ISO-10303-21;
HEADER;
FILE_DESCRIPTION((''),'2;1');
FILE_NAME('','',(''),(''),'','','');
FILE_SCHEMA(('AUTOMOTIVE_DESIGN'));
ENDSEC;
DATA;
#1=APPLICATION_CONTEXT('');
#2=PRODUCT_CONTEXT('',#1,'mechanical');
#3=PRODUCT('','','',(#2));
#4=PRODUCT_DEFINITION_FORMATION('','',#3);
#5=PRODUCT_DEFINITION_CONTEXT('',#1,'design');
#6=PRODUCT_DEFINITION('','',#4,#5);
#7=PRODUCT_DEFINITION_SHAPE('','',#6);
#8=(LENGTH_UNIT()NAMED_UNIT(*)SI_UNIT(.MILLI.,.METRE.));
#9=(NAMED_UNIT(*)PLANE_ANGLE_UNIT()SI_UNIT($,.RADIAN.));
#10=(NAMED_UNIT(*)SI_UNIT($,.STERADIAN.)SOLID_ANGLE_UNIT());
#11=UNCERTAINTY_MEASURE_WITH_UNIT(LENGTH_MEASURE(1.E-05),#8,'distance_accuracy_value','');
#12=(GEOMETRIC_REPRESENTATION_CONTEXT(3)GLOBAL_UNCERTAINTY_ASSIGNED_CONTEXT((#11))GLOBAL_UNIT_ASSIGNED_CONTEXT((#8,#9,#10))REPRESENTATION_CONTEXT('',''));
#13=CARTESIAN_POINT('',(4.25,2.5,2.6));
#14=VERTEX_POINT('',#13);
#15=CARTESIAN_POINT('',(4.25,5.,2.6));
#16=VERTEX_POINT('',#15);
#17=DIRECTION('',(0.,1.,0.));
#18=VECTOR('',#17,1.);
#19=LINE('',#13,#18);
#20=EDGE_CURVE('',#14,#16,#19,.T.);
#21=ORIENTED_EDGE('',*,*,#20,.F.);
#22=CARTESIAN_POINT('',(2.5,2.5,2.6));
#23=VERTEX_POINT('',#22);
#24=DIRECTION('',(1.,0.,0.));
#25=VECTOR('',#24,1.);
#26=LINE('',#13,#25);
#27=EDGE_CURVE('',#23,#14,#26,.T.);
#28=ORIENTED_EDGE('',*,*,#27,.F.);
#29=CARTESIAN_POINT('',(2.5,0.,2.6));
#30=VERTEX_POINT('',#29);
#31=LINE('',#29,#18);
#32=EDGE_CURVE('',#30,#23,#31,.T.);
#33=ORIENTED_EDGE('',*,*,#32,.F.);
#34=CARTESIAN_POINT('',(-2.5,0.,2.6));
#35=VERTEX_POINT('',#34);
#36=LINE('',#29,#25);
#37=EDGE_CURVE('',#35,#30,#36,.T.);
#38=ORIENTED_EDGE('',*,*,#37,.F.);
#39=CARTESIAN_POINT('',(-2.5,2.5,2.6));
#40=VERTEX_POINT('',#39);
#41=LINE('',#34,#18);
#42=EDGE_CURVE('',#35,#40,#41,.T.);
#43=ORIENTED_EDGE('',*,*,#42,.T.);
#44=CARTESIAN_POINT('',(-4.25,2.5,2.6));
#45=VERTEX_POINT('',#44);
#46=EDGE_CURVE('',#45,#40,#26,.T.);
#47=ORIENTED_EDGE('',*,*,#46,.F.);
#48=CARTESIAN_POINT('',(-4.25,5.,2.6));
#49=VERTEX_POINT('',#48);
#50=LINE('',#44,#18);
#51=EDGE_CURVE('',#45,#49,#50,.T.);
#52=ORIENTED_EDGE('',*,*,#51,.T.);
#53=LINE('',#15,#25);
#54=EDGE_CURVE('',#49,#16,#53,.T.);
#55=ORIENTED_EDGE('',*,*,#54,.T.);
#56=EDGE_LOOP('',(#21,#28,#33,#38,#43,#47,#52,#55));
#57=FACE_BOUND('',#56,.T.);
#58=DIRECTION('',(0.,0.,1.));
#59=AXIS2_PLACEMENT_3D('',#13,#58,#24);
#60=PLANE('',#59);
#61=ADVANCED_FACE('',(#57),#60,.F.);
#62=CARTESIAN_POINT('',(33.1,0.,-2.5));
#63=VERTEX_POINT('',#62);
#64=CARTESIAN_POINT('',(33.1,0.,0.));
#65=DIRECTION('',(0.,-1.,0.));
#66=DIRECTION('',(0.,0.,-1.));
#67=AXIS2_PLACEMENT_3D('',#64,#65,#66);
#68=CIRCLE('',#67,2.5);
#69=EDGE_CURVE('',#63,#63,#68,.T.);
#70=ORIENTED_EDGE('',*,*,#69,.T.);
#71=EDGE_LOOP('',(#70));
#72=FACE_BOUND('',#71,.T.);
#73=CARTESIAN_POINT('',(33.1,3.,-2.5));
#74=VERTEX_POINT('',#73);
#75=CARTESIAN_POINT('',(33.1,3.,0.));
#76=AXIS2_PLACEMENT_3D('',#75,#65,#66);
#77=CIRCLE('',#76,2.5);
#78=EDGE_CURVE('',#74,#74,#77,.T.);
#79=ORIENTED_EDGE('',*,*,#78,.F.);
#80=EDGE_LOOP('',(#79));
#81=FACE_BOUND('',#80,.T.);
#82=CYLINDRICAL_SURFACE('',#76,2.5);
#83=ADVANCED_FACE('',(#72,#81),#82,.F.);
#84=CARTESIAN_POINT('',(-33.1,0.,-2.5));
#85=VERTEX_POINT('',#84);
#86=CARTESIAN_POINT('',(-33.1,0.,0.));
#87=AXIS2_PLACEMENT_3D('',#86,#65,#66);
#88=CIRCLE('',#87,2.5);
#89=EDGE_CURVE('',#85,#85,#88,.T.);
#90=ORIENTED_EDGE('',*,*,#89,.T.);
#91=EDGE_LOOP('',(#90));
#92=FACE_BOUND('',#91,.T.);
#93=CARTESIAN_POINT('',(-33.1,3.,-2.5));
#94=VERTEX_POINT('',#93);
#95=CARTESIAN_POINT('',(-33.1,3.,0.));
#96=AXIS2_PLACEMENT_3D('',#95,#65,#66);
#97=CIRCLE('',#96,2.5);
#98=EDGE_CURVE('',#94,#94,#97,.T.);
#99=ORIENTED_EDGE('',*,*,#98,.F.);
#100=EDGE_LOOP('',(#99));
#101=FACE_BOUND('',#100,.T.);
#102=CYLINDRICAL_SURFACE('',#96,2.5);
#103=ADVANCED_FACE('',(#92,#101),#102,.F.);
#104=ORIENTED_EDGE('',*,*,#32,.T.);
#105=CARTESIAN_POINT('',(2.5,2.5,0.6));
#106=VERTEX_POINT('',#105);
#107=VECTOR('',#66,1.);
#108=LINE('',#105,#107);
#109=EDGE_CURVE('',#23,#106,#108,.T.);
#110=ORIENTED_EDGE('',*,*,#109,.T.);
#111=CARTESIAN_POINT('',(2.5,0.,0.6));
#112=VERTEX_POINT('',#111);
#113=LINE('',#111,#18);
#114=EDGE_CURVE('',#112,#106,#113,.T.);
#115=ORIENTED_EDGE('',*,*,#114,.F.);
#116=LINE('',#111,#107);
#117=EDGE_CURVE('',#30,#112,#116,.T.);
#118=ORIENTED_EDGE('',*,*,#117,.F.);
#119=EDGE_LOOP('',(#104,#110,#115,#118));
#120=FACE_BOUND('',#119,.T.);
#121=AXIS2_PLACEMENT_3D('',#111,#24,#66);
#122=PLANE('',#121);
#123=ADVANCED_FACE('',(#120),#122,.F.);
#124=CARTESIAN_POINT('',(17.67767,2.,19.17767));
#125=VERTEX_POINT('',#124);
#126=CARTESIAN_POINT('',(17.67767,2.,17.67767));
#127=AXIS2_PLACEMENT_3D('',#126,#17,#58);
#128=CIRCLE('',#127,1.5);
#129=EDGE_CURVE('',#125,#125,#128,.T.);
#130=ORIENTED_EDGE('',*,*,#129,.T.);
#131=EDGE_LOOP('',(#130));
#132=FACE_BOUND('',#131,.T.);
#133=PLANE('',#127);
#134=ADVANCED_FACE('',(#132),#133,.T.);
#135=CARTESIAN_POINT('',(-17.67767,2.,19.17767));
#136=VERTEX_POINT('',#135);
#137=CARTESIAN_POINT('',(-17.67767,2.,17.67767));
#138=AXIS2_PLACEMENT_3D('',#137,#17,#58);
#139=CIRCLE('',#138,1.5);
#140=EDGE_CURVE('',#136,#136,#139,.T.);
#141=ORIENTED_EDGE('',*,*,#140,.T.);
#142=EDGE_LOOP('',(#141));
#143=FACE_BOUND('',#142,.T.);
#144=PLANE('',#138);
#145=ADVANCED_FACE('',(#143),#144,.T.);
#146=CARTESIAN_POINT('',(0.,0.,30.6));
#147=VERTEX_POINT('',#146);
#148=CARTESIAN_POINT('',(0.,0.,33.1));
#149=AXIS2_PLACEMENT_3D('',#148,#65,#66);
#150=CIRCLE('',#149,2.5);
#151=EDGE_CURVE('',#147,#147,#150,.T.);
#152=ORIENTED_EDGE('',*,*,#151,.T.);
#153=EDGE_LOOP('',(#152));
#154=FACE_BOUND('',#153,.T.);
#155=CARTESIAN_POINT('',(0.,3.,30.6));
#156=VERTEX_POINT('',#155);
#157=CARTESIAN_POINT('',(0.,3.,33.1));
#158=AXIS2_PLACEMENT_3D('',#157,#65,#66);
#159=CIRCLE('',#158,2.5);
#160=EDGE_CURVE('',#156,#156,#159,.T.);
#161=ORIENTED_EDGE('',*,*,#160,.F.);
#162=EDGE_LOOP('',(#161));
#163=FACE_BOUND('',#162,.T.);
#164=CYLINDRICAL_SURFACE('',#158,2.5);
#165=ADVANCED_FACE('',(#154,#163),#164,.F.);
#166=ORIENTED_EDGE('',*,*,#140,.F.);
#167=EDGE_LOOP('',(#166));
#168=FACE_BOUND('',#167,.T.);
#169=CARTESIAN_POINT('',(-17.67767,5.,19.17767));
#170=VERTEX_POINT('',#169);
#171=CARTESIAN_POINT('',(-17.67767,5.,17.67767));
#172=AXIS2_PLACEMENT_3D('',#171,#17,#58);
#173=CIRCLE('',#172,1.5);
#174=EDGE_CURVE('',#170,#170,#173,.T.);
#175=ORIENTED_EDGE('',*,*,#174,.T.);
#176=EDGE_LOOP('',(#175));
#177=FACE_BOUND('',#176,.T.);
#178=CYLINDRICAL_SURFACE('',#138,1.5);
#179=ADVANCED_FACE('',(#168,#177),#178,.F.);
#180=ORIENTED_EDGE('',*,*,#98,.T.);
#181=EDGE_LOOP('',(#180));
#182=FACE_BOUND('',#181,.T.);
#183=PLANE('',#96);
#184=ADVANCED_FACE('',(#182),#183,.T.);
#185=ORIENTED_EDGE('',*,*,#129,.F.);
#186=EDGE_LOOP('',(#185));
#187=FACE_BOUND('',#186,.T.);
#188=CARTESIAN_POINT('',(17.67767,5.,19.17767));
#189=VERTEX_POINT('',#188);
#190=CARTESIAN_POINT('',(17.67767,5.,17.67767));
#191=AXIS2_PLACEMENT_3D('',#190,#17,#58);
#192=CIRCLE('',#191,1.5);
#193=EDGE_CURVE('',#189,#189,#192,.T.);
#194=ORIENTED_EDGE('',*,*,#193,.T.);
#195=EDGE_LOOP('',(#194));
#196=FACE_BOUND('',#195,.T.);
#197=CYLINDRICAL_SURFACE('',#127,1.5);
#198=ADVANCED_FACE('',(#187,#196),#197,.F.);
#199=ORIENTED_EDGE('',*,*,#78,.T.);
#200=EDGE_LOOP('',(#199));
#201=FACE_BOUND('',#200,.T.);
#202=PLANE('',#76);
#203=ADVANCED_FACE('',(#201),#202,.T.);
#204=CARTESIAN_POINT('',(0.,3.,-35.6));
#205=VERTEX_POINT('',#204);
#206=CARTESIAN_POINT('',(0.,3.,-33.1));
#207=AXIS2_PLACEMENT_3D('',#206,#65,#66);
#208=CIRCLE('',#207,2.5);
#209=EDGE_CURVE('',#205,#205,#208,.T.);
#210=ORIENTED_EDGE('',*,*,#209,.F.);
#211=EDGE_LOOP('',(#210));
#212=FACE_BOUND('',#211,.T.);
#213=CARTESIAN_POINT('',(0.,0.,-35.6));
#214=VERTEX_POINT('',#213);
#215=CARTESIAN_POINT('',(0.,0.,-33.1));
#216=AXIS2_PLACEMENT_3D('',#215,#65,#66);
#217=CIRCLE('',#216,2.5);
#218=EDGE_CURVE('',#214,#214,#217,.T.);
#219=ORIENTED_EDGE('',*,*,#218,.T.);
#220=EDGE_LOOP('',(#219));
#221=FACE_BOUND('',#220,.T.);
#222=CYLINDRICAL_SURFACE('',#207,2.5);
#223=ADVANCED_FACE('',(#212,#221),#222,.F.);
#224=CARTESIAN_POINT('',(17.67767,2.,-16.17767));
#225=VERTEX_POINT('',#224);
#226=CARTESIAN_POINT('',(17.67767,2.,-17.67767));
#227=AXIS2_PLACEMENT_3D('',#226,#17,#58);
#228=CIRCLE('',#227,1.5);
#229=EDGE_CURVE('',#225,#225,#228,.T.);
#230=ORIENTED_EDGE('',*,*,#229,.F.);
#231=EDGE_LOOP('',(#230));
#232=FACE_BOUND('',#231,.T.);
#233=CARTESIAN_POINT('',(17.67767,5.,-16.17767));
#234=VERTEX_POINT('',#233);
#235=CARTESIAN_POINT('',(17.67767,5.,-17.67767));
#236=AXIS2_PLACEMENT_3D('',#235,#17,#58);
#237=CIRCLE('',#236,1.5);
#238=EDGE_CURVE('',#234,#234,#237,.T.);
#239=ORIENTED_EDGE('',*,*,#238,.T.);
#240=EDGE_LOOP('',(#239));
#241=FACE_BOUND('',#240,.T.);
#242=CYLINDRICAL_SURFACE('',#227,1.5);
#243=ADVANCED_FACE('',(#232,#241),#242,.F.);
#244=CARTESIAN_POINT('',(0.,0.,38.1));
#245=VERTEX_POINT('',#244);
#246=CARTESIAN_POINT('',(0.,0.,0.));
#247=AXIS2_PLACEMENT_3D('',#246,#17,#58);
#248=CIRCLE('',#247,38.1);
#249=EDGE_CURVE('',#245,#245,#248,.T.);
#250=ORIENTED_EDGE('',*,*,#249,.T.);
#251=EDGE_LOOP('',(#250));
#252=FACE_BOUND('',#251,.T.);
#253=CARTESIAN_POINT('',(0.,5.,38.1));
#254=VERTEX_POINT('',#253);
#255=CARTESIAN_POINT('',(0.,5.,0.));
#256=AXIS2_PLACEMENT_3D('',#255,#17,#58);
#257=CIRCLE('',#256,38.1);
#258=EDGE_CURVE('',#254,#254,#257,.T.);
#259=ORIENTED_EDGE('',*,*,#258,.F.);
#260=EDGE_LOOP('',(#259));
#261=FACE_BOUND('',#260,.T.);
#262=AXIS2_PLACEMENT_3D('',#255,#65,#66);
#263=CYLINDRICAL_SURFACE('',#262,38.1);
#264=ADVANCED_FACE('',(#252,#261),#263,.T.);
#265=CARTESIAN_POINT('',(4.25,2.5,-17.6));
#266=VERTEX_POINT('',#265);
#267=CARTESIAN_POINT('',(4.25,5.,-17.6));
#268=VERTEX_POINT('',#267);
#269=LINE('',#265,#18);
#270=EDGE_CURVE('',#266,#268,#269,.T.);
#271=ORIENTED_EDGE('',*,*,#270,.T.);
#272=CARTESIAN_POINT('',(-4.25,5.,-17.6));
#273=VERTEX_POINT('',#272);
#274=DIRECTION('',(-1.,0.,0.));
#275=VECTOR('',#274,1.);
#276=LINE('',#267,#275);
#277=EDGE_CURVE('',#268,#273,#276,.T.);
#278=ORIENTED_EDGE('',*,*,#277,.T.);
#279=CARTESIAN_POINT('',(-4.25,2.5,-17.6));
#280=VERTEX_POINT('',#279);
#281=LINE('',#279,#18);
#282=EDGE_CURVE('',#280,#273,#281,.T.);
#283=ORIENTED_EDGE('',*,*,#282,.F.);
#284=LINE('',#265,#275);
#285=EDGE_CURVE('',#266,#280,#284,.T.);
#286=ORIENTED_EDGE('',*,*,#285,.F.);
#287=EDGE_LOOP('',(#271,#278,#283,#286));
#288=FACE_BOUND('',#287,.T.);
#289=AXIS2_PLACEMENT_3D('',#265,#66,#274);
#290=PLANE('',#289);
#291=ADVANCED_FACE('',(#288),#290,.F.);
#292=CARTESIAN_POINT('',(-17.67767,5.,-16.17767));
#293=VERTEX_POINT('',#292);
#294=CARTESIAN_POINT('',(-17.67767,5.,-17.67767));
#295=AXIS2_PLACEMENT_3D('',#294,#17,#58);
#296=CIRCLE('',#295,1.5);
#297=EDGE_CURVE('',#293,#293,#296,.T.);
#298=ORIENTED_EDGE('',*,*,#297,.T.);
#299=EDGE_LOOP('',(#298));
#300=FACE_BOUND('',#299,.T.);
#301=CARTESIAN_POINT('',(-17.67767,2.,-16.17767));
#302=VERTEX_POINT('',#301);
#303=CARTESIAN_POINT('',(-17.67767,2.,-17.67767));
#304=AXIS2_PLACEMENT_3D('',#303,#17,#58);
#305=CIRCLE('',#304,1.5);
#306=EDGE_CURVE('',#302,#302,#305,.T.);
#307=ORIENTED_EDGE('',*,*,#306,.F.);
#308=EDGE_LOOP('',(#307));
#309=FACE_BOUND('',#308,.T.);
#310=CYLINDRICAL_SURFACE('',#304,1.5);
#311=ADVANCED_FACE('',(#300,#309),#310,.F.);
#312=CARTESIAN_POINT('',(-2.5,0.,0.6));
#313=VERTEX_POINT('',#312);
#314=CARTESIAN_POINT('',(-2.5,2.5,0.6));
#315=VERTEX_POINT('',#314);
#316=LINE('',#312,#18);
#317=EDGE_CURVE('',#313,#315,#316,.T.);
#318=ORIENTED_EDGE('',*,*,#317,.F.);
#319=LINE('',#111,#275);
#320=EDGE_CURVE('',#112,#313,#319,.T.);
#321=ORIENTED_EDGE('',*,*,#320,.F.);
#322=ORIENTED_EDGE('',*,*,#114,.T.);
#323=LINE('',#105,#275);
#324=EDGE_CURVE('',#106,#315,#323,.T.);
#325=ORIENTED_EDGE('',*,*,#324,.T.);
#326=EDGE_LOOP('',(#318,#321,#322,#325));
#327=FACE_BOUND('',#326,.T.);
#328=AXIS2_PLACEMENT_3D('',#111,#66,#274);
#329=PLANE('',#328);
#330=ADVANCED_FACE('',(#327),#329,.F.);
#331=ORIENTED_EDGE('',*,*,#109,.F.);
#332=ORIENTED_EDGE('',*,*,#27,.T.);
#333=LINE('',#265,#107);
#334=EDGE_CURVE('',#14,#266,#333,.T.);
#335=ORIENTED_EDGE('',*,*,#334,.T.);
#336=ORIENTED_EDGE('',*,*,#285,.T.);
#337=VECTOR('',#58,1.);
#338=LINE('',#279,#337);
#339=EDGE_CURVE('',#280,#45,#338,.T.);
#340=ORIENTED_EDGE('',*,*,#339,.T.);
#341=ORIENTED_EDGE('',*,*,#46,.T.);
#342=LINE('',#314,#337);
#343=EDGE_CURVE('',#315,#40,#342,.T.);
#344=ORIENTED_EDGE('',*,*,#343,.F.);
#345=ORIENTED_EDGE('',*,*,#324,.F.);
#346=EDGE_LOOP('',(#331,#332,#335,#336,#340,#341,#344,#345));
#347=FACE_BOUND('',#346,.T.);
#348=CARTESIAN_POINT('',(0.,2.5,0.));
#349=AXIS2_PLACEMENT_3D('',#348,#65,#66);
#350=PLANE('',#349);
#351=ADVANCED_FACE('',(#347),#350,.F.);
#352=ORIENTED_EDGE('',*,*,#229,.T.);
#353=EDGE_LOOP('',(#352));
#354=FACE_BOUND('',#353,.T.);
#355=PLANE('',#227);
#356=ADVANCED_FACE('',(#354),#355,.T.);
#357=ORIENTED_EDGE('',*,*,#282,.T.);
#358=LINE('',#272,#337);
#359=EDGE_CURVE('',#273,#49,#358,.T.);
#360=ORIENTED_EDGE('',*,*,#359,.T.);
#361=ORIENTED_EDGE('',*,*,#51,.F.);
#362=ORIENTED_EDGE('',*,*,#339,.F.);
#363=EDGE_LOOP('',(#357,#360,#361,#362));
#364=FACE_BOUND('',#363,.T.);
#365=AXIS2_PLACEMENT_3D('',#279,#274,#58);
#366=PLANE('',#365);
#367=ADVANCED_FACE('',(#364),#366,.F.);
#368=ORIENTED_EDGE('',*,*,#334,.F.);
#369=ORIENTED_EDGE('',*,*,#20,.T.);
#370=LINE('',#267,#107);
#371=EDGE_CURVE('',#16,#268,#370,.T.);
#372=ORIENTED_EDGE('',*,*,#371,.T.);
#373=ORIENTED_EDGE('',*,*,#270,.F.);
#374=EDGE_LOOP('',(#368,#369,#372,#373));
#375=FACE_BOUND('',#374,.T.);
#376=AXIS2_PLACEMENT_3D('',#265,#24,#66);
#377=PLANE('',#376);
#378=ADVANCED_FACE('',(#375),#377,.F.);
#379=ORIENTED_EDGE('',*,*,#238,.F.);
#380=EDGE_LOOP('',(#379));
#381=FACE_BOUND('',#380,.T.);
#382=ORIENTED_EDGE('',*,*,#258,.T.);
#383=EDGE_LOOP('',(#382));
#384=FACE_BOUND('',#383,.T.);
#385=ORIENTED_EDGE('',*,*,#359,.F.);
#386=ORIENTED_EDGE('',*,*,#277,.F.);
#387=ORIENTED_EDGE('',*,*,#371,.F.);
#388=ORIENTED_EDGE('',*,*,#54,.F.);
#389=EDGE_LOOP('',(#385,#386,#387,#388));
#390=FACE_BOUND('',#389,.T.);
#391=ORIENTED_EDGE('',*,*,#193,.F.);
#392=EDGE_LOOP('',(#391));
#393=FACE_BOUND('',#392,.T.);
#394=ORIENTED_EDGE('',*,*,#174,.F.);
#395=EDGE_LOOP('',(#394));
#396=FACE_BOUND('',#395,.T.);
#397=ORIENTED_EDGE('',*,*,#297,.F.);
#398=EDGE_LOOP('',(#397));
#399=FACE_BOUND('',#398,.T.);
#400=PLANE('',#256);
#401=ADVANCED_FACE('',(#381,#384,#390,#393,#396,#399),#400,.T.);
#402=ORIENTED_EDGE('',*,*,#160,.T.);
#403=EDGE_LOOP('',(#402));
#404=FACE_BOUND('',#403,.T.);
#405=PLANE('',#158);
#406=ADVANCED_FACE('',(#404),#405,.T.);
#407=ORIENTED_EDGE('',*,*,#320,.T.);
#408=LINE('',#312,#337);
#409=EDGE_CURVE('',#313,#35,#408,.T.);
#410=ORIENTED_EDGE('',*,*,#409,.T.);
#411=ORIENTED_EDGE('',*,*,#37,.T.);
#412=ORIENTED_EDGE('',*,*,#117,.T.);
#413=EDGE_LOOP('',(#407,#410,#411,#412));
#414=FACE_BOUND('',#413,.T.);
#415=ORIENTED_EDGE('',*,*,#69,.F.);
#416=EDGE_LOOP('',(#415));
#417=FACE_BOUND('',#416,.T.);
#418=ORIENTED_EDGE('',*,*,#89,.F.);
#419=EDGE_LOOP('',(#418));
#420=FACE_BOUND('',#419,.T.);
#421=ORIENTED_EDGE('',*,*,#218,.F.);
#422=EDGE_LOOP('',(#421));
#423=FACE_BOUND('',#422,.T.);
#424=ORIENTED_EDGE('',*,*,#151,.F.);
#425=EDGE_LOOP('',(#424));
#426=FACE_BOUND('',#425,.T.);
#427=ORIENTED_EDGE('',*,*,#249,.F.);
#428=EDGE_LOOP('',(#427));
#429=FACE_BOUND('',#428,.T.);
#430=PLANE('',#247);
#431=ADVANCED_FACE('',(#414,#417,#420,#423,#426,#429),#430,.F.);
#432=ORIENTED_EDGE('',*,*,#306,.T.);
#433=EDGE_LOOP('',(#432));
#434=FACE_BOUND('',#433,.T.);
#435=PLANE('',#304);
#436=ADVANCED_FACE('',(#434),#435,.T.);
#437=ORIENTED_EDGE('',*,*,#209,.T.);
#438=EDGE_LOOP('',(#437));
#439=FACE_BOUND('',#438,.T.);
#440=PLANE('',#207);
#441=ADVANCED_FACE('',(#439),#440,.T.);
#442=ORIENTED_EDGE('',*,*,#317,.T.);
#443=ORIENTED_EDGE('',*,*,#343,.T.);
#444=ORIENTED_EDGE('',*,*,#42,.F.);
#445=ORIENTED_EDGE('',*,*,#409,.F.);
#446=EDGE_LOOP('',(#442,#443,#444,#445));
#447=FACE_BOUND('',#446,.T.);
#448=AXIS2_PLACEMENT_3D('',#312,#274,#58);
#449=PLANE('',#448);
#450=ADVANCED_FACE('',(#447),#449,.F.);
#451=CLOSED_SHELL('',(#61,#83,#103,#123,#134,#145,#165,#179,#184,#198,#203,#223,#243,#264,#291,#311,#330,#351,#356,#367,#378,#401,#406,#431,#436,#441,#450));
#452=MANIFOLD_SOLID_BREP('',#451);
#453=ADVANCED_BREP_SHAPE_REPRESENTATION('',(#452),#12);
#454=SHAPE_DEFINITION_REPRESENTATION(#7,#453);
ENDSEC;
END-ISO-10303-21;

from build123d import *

# Parameters (mm, degrees)
SKETCH1_R           = 38.1
BOSS_EXTRUDE1_DEPTH = 5
SKETCH3_W           = 8.5
SKETCH3_H           = 20.2
CUT_EXTRUDE2_DEPTH  = 2.5
SKETCH4_W           = 5
SKETCH4_H           = 2
CUT_EXTRUDE4_DEPTH  = 54.939503149
SKETCH5_R           = 1.5
CUT_EXTRUDE5_DEPTH  = 3
SKETCH6_R           = 2.5
CUT_EXTRUDE6_DEPTH  = 3


with BuildPart() as part:
    # Sketch1 → Boss-Extrude1 (new body)
    with BuildSketch(Plane(origin=(0, 0, 0), x_dir=(1, 0, 0), z_dir=(0, 1, 0))):
        with Locations(Location((0, 0, 0), (0, 0, 270))):
            Circle(SKETCH1_R)
    extrude(amount=BOSS_EXTRUDE1_DEPTH)

    # Sketch3 → Cut-Extrude2 (cut)
    with BuildSketch(Plane(origin=(0, 5, 0), x_dir=(1, 0, 0), z_dir=(0, 1, 0))):
        with Locations((0, 7.5)):
            Rectangle(SKETCH3_W, SKETCH3_H)
    extrude(amount=-CUT_EXTRUDE2_DEPTH, mode=Mode.SUBTRACT)

    # Sketch4 → Cut-Extrude4 (cut, through all)
    with BuildSketch(Plane(origin=(0, 2.5, 0), x_dir=(1, 0, 0), z_dir=(0, 1, 0))):
        with Locations((0, -1.6)):
            Rectangle(SKETCH4_W, SKETCH4_H)
    extrude(amount=-CUT_EXTRUDE4_DEPTH, mode=Mode.SUBTRACT)

    # Sketch5 → Cut-Extrude5 (cut)
    with BuildSketch(Plane(origin=(0, 5, 0), x_dir=(1, 0, 0), z_dir=(0, 1, 0))):
        with Locations(Location((17.67766953, 17.67766953, 0), (0, 0, 270))):
            Circle(SKETCH5_R)
        with Locations(Location((-17.67766953, 17.67766953, 0), (0, 0, 270))):
            Circle(SKETCH5_R)
        with Locations(Location((-17.67766953, -17.67766953, 0), (0, 0, 270))):
            Circle(SKETCH5_R)
        with Locations(Location((17.67766953, -17.67766953, 0), (0, 0, 270))):
            Circle(SKETCH5_R)
    extrude(amount=-CUT_EXTRUDE5_DEPTH, mode=Mode.SUBTRACT)

    # Sketch6 → Cut-Extrude6 (cut)
    with BuildSketch(Plane.XZ):
        with Locations(Location((0, -33.1, 0), (0, 0, 270))):
            Circle(SKETCH6_R)
        with Locations(Location((33.1, 0, 0), (0, 0, 270))):
            Circle(SKETCH6_R)
        with Locations(Location((0, 33.1, 0), (0, 0, 270))):
            Circle(SKETCH6_R)
        with Locations(Location((-33.1, 0, 0), (0, 0, 270))):
            Circle(SKETCH6_R)
    extrude(amount=-CUT_EXTRUDE6_DEPTH, mode=Mode.SUBTRACT)


solid = part.part
